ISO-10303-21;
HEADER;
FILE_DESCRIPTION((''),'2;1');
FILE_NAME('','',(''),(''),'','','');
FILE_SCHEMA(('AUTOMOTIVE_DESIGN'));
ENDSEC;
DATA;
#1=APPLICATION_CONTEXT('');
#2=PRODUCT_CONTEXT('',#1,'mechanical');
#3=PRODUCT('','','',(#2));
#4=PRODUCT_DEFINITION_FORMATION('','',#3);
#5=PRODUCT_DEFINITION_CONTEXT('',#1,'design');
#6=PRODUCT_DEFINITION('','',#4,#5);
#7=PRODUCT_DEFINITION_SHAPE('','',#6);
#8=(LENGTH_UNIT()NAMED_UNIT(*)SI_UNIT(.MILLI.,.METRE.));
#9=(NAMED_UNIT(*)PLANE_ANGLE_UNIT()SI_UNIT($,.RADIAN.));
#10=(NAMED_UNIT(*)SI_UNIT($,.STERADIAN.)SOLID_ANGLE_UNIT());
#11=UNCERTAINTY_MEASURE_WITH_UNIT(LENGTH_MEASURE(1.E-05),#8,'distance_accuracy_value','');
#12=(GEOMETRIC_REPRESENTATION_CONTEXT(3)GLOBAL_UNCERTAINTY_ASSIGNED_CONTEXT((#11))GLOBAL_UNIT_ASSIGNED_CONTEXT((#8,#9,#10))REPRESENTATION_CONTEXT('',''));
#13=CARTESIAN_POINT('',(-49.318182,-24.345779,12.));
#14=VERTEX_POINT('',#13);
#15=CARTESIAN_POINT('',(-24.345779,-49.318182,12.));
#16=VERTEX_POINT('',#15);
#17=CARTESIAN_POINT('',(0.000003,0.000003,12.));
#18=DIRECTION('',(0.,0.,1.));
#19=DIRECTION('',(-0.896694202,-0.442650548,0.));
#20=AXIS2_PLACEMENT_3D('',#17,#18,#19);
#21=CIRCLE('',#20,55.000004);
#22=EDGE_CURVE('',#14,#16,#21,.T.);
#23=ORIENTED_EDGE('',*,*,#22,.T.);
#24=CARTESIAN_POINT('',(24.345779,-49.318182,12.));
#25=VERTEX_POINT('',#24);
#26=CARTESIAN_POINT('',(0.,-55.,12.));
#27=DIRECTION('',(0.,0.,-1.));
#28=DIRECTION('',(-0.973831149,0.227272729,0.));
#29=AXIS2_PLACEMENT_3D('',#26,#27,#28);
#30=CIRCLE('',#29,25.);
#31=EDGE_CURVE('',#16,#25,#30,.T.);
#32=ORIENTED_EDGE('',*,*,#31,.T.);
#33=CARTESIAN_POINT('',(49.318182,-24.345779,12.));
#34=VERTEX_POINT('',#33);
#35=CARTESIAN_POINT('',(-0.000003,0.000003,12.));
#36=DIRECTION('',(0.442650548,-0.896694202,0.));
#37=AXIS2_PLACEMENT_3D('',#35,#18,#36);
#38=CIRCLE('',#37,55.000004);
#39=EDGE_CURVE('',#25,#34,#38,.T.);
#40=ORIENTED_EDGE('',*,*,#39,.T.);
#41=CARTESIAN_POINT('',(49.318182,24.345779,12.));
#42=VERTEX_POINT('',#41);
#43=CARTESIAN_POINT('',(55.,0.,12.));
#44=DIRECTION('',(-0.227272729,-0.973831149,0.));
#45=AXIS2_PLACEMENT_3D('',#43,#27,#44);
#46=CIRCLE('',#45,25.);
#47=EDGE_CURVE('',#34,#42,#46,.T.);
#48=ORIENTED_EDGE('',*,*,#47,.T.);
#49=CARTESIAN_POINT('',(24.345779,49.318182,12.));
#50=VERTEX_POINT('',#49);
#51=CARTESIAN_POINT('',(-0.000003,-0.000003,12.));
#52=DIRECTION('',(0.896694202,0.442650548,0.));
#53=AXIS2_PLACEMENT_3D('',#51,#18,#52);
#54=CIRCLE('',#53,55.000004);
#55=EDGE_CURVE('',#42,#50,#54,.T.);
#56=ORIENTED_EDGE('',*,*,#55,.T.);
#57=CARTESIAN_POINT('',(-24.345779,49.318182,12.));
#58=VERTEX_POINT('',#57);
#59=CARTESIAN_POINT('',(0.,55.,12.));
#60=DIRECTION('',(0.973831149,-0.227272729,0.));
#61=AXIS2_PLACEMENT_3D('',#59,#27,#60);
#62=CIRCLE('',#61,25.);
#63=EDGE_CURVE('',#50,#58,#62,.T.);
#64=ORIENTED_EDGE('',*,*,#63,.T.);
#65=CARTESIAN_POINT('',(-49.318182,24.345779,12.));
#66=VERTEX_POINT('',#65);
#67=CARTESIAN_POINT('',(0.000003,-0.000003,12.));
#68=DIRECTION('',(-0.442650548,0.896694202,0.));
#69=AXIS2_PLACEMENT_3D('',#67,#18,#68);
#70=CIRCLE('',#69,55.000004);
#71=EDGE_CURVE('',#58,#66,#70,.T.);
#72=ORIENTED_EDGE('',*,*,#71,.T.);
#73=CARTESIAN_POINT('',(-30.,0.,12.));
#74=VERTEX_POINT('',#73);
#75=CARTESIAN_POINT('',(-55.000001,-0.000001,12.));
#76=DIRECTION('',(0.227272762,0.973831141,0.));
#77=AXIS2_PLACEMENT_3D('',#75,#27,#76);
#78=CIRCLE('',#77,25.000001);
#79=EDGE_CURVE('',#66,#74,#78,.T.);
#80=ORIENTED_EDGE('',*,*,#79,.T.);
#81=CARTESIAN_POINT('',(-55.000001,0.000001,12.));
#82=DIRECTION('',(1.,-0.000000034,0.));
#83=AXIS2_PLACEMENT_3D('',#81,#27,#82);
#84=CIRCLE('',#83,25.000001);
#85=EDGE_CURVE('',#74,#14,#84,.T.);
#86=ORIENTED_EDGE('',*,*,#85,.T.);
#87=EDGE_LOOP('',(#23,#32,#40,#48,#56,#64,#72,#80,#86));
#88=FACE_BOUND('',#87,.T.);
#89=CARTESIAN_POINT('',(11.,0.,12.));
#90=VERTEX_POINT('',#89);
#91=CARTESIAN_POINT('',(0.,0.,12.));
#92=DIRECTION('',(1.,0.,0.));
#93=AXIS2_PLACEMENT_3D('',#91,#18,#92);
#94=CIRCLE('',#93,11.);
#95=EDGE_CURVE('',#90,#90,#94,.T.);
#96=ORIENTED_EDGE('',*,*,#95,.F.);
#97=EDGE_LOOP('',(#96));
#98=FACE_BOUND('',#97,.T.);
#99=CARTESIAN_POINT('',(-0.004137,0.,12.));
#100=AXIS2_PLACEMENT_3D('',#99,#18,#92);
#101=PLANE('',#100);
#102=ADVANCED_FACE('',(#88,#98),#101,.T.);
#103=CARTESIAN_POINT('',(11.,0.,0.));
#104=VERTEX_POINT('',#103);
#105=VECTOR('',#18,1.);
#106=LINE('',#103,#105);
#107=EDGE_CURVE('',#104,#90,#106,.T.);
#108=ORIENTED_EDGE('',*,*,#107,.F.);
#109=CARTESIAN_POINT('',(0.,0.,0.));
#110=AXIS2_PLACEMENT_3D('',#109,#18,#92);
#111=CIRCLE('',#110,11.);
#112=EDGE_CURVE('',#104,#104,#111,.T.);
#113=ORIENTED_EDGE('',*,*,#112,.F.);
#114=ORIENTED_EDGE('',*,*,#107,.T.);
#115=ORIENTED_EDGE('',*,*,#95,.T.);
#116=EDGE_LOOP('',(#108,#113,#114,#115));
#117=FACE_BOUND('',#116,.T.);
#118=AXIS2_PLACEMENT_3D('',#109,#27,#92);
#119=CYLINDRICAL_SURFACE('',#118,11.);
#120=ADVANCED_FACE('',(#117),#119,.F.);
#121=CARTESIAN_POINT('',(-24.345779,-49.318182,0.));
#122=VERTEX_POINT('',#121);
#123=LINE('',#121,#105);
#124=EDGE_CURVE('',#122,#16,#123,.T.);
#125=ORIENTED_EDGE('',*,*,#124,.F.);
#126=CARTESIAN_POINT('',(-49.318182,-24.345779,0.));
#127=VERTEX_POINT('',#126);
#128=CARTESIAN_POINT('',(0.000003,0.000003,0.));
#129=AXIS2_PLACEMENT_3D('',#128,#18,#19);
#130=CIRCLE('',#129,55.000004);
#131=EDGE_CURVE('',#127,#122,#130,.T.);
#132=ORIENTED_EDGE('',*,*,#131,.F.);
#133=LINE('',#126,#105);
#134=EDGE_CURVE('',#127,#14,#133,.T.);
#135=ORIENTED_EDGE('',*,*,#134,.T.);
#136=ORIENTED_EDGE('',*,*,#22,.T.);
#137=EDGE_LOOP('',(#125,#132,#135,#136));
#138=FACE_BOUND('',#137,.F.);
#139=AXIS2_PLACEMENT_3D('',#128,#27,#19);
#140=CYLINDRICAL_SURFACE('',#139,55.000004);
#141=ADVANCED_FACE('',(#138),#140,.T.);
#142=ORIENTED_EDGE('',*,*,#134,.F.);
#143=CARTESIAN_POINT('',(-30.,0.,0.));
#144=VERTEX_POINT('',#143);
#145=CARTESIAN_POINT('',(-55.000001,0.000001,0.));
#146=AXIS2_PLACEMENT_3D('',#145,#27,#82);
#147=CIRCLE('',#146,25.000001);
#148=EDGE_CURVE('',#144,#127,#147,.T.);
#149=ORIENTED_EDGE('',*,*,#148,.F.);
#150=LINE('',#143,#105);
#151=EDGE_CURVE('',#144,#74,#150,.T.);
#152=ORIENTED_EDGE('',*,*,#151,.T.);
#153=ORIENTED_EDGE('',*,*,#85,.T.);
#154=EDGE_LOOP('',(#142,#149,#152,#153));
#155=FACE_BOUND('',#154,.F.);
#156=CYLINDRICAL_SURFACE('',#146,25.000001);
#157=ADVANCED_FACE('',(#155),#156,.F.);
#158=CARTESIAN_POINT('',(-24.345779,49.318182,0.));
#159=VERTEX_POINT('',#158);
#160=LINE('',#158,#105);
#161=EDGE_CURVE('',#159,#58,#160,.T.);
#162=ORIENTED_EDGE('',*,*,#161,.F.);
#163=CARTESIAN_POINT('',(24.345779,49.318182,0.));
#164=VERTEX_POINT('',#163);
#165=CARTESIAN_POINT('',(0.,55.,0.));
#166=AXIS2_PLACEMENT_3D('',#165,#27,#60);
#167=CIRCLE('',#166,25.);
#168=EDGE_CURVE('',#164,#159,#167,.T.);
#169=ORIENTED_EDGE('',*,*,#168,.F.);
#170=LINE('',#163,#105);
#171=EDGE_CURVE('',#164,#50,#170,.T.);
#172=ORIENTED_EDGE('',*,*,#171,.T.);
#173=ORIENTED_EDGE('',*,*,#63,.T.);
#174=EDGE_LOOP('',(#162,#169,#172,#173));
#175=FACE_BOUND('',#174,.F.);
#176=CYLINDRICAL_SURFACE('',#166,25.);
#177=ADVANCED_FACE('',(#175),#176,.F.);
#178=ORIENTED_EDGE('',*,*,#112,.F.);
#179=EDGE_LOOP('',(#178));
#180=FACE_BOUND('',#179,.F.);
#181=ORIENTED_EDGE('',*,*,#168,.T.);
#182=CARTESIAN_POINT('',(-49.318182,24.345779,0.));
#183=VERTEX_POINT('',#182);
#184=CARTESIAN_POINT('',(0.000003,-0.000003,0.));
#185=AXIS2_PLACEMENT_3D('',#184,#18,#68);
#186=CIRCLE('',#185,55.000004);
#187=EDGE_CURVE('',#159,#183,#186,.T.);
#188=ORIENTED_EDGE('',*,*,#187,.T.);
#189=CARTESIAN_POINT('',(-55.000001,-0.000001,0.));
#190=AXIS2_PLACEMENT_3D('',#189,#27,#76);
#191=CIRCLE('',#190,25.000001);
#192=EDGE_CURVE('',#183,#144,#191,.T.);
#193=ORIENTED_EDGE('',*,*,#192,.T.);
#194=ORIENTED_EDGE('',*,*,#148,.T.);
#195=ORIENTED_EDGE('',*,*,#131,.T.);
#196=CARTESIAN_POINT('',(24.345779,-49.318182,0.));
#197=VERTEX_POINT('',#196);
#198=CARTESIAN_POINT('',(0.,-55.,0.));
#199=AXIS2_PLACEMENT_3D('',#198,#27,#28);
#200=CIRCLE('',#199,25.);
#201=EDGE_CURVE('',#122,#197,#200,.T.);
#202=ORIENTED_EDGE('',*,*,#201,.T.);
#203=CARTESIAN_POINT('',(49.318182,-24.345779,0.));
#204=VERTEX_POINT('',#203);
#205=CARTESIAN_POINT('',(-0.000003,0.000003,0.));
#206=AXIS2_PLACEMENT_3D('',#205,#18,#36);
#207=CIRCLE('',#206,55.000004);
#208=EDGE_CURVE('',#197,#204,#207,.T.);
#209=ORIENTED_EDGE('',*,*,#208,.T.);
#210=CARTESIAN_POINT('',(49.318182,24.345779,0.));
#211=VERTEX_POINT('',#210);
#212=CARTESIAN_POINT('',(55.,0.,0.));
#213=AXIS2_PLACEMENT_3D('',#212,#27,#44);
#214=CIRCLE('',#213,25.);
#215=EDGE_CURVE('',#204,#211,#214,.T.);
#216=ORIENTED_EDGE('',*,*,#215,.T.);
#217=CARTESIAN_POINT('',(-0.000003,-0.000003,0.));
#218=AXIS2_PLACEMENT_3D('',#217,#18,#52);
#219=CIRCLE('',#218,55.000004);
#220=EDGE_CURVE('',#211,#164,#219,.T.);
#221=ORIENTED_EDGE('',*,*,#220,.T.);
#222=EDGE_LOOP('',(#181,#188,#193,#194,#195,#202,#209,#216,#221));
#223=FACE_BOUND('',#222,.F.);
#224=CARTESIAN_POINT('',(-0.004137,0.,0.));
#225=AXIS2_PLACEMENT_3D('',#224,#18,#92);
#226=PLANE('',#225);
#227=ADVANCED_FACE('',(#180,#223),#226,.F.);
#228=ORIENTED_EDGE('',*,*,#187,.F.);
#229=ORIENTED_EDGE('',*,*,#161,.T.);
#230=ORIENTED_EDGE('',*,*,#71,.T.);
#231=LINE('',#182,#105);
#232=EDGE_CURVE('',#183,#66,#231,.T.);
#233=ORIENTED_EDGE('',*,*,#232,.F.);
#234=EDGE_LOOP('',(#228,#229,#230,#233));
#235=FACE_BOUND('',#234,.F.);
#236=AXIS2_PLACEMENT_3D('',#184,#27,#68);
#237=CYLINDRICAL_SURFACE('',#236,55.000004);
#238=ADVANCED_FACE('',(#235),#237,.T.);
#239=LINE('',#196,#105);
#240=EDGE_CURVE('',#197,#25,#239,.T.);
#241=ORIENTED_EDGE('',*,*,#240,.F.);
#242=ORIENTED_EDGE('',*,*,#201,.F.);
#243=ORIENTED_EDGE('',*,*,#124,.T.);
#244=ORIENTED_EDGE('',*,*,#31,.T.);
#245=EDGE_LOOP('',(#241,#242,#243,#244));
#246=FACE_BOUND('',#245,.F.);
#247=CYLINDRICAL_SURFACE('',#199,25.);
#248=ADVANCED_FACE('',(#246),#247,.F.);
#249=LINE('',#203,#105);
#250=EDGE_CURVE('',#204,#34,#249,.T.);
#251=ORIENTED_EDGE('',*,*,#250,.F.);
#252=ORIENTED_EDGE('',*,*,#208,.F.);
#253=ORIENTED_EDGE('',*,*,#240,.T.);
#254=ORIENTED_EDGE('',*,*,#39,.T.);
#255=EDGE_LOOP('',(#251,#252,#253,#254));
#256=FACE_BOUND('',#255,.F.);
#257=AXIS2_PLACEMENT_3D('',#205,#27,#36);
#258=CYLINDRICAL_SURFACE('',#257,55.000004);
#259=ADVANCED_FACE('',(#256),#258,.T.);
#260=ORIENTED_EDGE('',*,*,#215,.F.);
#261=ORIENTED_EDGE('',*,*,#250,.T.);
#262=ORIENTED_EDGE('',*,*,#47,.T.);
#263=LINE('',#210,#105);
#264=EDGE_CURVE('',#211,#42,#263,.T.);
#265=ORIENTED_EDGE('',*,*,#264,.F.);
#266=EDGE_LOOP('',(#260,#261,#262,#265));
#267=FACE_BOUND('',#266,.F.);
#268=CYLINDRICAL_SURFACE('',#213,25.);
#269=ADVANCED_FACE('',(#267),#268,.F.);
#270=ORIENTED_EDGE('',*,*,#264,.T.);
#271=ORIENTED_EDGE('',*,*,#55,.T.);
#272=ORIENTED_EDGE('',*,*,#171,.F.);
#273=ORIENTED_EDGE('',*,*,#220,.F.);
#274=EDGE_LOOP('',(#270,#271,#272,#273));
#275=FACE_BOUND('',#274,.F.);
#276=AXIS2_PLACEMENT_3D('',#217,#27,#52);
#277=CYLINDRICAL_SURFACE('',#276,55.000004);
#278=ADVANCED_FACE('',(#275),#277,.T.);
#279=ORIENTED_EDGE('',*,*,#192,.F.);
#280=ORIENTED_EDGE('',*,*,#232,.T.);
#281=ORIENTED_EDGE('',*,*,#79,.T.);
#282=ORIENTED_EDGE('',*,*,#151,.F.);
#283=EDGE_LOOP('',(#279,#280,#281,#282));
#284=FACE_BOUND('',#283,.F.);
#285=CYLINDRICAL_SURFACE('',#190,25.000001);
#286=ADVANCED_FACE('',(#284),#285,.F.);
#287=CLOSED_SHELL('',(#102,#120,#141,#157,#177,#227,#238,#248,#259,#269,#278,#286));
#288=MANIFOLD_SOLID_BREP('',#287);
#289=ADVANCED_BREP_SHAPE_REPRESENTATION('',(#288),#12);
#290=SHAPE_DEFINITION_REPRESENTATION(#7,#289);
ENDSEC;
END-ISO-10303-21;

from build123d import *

# Parameters (mm, degrees)
F0_R     = 11
F1_DEPTH = 12


with BuildPart() as f1:
    # F0 (on Top) → F1 (new body)
    with BuildSketch(Plane.XY):
        with BuildLine():
            ThreePointArc((49.318182, -24.345779), (30, 0), (49.318182, 24.345779))
            ThreePointArc((49.318182, 24.345779), (38.890873, 38.890873), (24.345779, 49.318182))
            ThreePointArc((24.345779, 49.318182), (0, 30), (-24.345779, 49.318182))
            ThreePointArc((-24.345779, 49.318182), (-38.890873, 38.890873), (-49.318182, 24.345779))
            ThreePointArc((-49.318182, 24.345779), (-35.416264, 15.539539), (-30, 0))
            ThreePointArc((-30, 0), (-35.416264, -15.539539), (-49.318182, -24.345779))
            ThreePointArc((-49.318182, -24.345779), (-38.890873, -38.890873), (-24.345779, -49.318182))
            ThreePointArc((-24.345779, -49.318182), (0, -30), (24.345779, -49.318182))
            ThreePointArc((24.345779, -49.318182), (38.890873, -38.890873), (49.318182, -24.345779))
        make_face()
        Circle(F0_R, mode=Mode.SUBTRACT)
    extrude(amount=F1_DEPTH)


solid = f1.part
